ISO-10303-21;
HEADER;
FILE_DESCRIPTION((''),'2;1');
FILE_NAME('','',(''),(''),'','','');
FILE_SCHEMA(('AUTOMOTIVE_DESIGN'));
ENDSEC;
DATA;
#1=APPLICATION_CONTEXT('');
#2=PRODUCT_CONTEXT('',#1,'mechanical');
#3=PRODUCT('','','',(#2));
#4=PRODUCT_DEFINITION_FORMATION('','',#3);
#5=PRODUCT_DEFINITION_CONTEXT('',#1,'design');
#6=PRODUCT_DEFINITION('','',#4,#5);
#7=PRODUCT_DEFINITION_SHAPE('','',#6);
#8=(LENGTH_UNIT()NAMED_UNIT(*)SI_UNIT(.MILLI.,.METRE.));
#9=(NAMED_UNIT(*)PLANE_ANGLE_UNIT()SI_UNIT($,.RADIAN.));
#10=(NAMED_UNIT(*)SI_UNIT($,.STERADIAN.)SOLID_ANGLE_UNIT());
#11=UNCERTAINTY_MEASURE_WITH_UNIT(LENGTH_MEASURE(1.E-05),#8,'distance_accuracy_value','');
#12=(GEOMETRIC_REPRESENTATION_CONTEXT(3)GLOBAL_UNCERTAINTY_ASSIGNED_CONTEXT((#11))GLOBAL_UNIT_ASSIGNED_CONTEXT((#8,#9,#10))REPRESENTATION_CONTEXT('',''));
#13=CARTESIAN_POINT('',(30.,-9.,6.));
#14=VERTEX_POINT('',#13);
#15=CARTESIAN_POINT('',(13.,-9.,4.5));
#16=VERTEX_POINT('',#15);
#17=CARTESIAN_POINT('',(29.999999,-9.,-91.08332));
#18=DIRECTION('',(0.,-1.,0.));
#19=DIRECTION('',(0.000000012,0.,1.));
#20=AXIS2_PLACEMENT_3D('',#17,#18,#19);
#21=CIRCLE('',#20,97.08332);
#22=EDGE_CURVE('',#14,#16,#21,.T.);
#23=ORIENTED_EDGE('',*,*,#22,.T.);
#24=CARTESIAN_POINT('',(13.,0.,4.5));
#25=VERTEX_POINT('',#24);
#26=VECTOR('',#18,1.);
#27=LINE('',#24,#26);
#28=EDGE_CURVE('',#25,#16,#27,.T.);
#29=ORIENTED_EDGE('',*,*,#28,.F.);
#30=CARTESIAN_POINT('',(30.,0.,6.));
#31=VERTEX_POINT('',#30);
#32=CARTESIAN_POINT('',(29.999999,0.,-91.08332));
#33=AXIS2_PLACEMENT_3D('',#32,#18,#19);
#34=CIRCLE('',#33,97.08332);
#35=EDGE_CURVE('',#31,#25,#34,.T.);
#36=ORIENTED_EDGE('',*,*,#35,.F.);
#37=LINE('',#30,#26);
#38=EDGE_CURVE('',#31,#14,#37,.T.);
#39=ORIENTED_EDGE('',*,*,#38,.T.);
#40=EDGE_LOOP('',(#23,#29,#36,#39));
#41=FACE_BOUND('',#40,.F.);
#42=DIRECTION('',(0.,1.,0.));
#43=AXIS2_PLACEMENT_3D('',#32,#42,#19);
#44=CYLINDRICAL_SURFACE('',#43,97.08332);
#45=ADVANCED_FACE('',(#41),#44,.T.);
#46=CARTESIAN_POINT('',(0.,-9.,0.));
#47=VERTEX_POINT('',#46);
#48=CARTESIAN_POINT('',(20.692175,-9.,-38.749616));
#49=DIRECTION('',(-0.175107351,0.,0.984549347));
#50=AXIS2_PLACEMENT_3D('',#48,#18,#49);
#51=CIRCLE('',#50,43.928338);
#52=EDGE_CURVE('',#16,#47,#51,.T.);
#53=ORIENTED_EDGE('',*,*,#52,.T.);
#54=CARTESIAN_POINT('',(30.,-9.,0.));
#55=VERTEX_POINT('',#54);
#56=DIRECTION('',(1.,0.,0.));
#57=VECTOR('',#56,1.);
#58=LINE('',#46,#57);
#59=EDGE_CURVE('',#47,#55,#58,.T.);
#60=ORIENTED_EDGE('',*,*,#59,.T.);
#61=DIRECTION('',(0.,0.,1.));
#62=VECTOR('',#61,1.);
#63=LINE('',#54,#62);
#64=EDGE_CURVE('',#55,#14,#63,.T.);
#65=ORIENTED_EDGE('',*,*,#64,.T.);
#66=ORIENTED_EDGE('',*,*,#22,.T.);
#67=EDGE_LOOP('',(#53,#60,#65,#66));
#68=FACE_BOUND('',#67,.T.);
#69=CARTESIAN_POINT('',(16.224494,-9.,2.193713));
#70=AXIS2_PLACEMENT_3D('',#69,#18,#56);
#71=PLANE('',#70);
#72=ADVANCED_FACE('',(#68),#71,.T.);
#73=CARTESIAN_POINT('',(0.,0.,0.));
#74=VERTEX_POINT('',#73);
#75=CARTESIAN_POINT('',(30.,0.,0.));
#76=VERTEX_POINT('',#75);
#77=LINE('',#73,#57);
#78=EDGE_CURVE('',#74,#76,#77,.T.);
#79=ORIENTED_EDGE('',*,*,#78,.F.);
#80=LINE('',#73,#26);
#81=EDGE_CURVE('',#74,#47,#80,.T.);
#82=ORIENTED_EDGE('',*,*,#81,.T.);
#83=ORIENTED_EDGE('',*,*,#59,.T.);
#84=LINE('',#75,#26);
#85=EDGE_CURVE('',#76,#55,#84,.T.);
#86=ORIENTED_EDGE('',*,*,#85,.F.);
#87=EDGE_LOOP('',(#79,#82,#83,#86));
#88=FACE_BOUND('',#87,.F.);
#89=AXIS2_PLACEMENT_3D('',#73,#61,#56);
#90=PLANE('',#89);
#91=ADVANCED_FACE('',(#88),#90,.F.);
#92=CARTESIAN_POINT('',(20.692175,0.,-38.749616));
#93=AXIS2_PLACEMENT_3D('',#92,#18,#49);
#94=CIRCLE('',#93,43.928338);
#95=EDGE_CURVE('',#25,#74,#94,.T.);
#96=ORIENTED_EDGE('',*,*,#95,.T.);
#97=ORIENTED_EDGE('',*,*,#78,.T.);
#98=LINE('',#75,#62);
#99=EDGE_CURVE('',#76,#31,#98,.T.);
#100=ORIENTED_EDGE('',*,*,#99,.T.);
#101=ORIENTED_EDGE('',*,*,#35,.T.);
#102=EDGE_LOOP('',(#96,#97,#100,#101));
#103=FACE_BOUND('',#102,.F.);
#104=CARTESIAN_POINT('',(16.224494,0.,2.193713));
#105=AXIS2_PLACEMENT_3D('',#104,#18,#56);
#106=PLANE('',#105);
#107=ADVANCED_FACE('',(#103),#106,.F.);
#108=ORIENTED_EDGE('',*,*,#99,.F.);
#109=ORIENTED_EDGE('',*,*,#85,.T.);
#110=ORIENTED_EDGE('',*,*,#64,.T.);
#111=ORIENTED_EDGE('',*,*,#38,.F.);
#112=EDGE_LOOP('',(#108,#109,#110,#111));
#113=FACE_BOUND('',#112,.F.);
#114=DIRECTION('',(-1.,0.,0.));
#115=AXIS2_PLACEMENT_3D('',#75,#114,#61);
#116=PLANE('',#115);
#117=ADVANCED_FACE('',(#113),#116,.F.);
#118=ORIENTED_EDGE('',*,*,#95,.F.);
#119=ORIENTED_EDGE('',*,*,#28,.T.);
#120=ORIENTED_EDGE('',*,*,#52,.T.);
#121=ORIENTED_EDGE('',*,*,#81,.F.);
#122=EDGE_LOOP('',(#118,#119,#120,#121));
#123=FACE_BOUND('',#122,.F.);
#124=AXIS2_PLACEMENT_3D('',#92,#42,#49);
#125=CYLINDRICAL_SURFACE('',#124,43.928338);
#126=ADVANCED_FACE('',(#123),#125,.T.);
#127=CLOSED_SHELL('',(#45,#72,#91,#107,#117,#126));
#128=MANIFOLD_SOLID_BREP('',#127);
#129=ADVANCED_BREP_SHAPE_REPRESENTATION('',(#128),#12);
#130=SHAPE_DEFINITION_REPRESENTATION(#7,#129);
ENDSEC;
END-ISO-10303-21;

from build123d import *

# Parameters (mm, degrees)
F1_DEPTH = 9


with BuildPart() as f1:
    # F0 (on Front) → F1 (new body)
    with BuildSketch(Plane.XZ):
        with BuildLine():
            ThreePointArc((13, 4.5), (6.322751, 2.762051), (0, 0))
            Line((0, 0), (30, 0))
            Line((30, 0), (30, 6))
            ThreePointArc((30, 6), (21.466976, 5.624273), (13, 4.5))
        make_face()
    extrude(amount=F1_DEPTH)


solid = f1.part
